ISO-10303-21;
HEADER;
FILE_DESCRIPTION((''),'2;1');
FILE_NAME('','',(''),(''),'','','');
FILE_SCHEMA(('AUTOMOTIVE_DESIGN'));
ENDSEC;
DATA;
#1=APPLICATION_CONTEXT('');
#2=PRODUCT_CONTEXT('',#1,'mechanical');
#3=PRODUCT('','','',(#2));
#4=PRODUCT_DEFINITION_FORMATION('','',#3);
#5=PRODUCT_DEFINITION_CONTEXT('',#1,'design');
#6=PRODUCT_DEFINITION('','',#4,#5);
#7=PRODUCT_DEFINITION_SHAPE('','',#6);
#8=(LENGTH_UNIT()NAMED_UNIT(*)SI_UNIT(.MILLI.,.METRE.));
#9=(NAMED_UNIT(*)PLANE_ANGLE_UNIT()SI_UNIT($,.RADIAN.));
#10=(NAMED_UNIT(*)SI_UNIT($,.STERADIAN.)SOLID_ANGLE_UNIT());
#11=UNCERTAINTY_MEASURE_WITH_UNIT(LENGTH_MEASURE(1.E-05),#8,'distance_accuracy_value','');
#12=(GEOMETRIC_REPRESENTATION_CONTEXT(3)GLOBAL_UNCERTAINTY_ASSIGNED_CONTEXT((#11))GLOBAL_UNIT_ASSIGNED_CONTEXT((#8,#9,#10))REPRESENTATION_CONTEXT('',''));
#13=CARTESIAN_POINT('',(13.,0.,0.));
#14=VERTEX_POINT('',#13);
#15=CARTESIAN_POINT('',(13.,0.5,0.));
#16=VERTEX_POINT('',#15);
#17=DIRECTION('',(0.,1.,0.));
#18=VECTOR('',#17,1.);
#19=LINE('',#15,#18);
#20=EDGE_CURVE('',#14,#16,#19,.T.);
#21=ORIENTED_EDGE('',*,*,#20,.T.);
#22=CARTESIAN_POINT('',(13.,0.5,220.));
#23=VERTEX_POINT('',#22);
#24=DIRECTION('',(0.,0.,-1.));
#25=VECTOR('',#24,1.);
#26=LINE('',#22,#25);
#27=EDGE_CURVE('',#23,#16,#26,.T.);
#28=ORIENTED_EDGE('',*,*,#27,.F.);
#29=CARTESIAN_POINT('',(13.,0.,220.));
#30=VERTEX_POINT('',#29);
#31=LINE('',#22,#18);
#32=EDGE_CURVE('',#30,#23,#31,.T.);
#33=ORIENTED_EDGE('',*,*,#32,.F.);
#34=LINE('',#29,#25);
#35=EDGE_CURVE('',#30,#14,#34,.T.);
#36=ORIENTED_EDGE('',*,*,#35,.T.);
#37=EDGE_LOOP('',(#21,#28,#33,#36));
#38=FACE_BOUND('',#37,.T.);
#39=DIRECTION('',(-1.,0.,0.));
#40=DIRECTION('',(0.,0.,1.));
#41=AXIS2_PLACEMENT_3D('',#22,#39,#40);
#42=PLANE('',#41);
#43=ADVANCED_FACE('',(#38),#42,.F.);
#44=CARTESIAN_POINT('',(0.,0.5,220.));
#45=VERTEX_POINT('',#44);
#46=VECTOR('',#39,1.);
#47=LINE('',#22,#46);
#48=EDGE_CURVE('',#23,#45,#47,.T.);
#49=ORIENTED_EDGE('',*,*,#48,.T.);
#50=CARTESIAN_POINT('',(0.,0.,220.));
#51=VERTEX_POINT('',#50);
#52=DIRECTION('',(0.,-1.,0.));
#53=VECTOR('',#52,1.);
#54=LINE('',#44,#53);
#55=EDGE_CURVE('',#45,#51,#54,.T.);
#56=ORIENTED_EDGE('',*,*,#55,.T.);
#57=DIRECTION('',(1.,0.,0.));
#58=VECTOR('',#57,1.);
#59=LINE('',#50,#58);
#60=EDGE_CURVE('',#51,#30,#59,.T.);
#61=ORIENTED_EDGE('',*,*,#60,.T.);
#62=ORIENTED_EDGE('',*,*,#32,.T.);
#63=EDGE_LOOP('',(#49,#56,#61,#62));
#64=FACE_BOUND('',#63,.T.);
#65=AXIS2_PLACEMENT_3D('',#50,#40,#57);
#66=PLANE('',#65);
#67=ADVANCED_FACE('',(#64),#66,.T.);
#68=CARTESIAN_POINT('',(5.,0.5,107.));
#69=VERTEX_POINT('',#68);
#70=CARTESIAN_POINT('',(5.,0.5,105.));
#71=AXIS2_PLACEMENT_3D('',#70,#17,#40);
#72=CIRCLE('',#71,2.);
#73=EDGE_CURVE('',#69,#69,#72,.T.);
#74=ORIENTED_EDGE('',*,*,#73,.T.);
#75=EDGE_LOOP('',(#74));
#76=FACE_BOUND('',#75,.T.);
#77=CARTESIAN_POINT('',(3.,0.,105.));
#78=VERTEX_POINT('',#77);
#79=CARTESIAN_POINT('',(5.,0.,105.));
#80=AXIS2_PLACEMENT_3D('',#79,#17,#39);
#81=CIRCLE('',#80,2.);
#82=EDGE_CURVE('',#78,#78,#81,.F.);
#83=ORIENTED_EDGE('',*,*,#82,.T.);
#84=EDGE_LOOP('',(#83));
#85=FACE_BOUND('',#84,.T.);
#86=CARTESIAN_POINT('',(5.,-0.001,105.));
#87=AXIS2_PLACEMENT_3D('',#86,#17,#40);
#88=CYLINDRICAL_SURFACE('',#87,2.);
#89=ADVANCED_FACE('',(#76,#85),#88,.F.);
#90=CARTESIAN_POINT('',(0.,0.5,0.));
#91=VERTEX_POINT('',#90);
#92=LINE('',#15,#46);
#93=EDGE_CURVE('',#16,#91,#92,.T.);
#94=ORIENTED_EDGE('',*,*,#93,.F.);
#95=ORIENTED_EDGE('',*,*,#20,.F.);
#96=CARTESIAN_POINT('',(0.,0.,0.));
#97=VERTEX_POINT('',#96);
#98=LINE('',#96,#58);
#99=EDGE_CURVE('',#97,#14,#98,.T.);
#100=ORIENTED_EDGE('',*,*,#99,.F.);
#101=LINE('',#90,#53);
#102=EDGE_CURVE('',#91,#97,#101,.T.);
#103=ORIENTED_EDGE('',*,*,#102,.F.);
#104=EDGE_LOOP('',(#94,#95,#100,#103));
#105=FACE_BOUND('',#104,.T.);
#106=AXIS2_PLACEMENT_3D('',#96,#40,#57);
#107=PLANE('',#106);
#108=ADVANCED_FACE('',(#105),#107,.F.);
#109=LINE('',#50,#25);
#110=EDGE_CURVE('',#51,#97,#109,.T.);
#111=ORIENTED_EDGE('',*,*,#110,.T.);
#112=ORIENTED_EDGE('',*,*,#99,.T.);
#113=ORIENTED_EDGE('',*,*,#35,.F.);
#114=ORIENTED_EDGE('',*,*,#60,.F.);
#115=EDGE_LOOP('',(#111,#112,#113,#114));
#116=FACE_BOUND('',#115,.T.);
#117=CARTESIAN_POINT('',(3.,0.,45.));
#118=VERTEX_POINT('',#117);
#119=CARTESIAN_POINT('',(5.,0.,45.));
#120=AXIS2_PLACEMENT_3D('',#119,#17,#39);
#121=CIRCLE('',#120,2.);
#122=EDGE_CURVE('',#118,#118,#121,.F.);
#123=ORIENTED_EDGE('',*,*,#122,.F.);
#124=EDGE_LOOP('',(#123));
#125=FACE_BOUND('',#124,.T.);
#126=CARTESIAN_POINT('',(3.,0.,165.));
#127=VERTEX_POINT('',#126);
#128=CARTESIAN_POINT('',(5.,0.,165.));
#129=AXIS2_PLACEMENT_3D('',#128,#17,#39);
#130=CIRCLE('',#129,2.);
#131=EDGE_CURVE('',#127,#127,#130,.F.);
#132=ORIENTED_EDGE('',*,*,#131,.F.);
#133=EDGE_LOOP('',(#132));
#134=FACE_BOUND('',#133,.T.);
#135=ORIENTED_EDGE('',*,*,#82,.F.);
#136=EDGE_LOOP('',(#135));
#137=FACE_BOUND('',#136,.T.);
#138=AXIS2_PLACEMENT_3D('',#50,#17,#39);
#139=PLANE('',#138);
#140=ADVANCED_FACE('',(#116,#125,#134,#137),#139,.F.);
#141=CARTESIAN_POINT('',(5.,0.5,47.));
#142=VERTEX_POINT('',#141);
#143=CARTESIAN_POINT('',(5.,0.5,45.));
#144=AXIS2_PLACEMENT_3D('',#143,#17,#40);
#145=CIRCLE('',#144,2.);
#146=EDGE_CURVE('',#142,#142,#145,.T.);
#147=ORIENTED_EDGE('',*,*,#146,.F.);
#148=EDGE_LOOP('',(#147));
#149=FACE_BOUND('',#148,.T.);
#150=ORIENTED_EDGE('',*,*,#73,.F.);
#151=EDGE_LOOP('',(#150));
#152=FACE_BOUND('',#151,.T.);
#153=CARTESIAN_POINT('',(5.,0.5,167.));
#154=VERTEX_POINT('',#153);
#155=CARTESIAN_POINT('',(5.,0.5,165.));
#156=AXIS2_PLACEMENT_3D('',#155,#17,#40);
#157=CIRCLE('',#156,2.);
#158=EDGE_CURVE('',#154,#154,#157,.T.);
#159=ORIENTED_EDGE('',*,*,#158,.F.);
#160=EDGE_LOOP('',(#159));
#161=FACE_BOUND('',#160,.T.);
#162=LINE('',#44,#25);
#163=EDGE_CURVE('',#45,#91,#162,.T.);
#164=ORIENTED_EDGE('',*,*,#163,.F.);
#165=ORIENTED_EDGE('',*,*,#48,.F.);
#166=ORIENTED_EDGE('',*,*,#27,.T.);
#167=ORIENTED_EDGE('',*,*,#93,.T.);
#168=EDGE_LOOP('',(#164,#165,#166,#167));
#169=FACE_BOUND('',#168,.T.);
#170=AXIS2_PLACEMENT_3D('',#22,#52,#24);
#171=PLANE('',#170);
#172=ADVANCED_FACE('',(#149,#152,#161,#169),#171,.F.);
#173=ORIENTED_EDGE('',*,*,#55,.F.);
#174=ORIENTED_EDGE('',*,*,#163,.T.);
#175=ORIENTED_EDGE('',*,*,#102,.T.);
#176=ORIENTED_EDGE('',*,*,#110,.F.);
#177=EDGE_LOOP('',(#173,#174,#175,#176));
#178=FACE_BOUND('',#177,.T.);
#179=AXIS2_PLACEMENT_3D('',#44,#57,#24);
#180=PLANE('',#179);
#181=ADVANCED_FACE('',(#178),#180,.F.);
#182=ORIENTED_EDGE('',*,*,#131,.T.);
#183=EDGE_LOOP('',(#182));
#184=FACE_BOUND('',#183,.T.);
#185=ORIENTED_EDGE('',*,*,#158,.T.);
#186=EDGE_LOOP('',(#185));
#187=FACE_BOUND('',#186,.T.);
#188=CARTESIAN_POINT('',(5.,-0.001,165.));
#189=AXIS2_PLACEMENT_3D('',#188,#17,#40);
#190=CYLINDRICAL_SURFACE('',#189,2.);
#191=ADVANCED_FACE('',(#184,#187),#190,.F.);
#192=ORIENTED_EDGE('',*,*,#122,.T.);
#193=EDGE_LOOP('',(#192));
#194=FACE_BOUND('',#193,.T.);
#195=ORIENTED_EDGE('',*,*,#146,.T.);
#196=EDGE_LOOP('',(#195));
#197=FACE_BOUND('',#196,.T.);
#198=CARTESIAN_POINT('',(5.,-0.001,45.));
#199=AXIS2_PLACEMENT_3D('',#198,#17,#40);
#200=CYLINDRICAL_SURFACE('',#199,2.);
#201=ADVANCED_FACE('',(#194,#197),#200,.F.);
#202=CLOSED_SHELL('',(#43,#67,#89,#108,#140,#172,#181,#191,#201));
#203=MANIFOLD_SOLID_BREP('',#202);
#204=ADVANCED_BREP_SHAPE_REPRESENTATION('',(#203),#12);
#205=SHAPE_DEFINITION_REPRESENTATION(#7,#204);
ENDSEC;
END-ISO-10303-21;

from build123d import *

# Parameters (mm, degrees)
ESQUISSE1_W             = 13
ESQUISSE1_H             = 0.5
BOSS_EXTRU_1_DEPTH      = 220
ENL_V_MAT_EXTRU_1_REACH = 222.384
ESQUISSE2_R             = 2


with BuildPart() as part:
    # Esquisse1 → Boss.-Extru.1 (new body)
    with BuildSketch(Plane.XY):
        with Locations((6.5, 0.25)):
            Rectangle(ESQUISSE1_W, ESQUISSE1_H)
    extrude(amount=BOSS_EXTRU_1_DEPTH)

    # Esquisse2 → Enlèv. mat.-Extru.1 (cut, up to next)
    with BuildSketch(Plane(origin=(0, 0.5, 0), x_dir=(1, 0, 0), z_dir=(0, 1, 0)), mode=Mode.PRIVATE) as enl_v_mat_extru_1_sk1:
        with Locations(Location((5, -45, 0), (0, 0, 270))):
            Circle(ESQUISSE2_R)
    enl_v_mat_extru_1_tool1 = extrude(enl_v_mat_extru_1_sk1.sketch, amount=-ENL_V_MAT_EXTRU_1_REACH, mode=Mode.PRIVATE) & part.part
    # Esquisse2 → Enlèv. mat.-Extru.1 (cut, up to next)
    with BuildSketch(Plane(origin=(0, 0.5, 0), x_dir=(1, 0, 0), z_dir=(0, 1, 0)), mode=Mode.PRIVATE) as enl_v_mat_extru_1_sk2:
        with Locations(Location((5, -105, 0), (0, 0, 270))):
            Circle(ESQUISSE2_R)
    enl_v_mat_extru_1_tool2 = extrude(enl_v_mat_extru_1_sk2.sketch, amount=-ENL_V_MAT_EXTRU_1_REACH, mode=Mode.PRIVATE) & part.part
    # Esquisse2 → Enlèv. mat.-Extru.1 (cut, up to next)
    with BuildSketch(Plane(origin=(0, 0.5, 0), x_dir=(1, 0, 0), z_dir=(0, 1, 0)), mode=Mode.PRIVATE) as enl_v_mat_extru_1_sk3:
        with Locations(Location((5, -165, 0), (0, 0, 270))):
            Circle(ESQUISSE2_R)
    enl_v_mat_extru_1_tool3 = extrude(enl_v_mat_extru_1_sk3.sketch, amount=-ENL_V_MAT_EXTRU_1_REACH, mode=Mode.PRIVATE) & part.part
    add(enl_v_mat_extru_1_tool1.solids().sort_by_distance((5, 0.5, 45))[0], mode=Mode.SUBTRACT)
    add(enl_v_mat_extru_1_tool2.solids().sort_by_distance((5, 0.5, 105))[0], mode=Mode.SUBTRACT)
    add(enl_v_mat_extru_1_tool3.solids().sort_by_distance((5, 0.5, 165))[0], mode=Mode.SUBTRACT)


solid = part.part
